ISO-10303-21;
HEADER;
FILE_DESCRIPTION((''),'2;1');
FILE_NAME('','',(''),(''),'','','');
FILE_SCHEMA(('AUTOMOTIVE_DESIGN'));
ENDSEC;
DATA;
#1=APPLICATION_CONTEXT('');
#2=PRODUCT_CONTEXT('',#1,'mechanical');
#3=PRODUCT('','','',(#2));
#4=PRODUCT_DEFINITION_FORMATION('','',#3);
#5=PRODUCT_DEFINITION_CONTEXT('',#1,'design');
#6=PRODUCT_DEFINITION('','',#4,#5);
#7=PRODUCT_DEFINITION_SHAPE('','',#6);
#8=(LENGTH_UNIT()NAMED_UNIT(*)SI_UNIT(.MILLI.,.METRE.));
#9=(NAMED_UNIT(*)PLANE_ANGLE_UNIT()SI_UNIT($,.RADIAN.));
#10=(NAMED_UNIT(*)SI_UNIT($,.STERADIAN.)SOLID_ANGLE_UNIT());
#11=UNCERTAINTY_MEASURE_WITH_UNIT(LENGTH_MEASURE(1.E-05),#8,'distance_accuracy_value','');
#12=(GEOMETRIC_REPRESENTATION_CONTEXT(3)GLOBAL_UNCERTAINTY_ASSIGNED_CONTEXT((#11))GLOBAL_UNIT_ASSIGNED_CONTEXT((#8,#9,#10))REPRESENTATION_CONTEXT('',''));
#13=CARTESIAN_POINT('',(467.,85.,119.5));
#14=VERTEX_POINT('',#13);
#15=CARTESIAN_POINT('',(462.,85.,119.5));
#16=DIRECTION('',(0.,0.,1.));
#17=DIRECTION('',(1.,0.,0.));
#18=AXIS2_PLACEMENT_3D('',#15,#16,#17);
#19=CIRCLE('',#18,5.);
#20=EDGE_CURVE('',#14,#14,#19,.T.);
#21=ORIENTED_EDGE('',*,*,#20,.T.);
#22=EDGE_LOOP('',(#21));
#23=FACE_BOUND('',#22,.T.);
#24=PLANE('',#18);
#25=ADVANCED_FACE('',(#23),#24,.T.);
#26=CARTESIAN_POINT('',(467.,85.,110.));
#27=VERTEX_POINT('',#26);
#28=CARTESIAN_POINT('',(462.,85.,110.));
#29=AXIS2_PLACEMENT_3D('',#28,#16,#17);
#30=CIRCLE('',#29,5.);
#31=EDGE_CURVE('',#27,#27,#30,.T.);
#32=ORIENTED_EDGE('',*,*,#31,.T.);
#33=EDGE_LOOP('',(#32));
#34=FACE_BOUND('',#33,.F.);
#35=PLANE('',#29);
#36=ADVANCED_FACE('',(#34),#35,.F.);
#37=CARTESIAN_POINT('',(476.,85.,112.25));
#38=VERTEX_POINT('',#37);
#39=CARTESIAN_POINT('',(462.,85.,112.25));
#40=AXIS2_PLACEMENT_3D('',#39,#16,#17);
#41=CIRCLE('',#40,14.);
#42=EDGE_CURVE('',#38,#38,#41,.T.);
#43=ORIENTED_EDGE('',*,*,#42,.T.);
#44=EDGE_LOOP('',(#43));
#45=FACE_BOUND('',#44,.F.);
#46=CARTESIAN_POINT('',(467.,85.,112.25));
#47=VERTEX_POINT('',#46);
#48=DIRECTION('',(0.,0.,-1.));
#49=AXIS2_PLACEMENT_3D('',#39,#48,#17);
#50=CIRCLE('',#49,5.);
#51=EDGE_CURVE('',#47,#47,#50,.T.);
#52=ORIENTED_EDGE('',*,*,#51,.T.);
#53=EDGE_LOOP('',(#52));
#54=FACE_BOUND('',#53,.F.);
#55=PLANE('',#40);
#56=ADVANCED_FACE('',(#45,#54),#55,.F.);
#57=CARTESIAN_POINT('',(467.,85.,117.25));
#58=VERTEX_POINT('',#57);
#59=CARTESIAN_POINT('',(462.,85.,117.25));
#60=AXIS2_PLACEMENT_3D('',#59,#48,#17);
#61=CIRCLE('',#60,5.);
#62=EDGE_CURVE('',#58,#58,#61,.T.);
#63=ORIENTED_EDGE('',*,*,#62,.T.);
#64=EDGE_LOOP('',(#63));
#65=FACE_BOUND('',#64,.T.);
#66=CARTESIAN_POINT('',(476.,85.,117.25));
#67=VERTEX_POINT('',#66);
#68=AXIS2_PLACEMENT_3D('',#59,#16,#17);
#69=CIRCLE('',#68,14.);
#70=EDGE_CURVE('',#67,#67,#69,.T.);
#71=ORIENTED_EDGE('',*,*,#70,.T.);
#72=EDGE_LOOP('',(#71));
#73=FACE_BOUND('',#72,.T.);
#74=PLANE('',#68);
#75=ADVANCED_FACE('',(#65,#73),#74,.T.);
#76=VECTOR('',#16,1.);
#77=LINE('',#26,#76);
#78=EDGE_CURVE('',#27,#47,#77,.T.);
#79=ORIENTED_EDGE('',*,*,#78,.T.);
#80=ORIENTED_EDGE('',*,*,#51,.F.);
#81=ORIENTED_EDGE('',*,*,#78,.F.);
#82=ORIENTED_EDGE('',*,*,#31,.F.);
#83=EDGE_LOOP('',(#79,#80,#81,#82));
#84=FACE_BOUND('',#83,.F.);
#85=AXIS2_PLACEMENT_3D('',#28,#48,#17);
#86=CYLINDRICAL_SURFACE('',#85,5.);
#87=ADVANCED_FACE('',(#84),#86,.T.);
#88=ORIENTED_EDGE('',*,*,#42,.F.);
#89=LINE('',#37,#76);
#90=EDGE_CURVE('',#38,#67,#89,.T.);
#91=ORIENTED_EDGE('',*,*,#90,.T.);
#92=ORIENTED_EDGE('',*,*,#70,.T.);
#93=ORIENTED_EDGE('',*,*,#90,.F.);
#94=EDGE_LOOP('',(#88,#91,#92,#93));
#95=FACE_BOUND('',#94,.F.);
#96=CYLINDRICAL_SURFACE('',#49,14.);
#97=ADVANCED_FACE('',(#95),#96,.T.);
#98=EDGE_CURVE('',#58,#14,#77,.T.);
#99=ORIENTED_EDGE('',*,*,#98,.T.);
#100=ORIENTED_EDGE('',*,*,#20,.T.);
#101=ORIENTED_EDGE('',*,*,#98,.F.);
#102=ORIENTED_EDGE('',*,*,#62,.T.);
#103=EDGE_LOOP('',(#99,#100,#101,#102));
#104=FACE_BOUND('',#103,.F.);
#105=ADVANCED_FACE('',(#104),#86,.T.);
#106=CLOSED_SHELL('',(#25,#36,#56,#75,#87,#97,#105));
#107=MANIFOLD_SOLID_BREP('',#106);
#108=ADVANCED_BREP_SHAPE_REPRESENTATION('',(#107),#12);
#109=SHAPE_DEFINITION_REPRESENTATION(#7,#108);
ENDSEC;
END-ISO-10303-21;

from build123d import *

# Parameters (mm, degrees)
CYLINDER1201_R     = 5
CYLINDER1201_DEPTH = 9.5
CYLINDER1197_R     = 14
CYLINDER1197_DEPTH = 5


with BuildPart() as cylinder1201:
    # Cylinder1201 → Cylinder1201 (new body)
    with BuildSketch(Plane(origin=(462, 85, 142.75), x_dir=(1, 0, 0), z_dir=(0, 0, 1))):
        Circle(CYLINDER1201_R)
    extrude(amount=CYLINDER1201_DEPTH)


with BuildPart() as fusion248002050124:
    # Cylinder1197 → Cylinder1197 (new body)
    with BuildSketch(Plane(origin=(462, 85, 145), x_dir=(1, 0, 0), z_dir=(0, 0, 1))):
        Circle(CYLINDER1197_R)
    extrude(amount=CYLINDER1197_DEPTH)

    # Fusion248002050124: union Cylinder1201
    add(cylinder1201.part)


with BuildPart() as fusion248002050124_1:
    # Fusion248002050124 placement: moved
    add(fusion248002050124.part.moved(Location((0, 0, -32.75))))


solid = fusion248002050124_1.part
